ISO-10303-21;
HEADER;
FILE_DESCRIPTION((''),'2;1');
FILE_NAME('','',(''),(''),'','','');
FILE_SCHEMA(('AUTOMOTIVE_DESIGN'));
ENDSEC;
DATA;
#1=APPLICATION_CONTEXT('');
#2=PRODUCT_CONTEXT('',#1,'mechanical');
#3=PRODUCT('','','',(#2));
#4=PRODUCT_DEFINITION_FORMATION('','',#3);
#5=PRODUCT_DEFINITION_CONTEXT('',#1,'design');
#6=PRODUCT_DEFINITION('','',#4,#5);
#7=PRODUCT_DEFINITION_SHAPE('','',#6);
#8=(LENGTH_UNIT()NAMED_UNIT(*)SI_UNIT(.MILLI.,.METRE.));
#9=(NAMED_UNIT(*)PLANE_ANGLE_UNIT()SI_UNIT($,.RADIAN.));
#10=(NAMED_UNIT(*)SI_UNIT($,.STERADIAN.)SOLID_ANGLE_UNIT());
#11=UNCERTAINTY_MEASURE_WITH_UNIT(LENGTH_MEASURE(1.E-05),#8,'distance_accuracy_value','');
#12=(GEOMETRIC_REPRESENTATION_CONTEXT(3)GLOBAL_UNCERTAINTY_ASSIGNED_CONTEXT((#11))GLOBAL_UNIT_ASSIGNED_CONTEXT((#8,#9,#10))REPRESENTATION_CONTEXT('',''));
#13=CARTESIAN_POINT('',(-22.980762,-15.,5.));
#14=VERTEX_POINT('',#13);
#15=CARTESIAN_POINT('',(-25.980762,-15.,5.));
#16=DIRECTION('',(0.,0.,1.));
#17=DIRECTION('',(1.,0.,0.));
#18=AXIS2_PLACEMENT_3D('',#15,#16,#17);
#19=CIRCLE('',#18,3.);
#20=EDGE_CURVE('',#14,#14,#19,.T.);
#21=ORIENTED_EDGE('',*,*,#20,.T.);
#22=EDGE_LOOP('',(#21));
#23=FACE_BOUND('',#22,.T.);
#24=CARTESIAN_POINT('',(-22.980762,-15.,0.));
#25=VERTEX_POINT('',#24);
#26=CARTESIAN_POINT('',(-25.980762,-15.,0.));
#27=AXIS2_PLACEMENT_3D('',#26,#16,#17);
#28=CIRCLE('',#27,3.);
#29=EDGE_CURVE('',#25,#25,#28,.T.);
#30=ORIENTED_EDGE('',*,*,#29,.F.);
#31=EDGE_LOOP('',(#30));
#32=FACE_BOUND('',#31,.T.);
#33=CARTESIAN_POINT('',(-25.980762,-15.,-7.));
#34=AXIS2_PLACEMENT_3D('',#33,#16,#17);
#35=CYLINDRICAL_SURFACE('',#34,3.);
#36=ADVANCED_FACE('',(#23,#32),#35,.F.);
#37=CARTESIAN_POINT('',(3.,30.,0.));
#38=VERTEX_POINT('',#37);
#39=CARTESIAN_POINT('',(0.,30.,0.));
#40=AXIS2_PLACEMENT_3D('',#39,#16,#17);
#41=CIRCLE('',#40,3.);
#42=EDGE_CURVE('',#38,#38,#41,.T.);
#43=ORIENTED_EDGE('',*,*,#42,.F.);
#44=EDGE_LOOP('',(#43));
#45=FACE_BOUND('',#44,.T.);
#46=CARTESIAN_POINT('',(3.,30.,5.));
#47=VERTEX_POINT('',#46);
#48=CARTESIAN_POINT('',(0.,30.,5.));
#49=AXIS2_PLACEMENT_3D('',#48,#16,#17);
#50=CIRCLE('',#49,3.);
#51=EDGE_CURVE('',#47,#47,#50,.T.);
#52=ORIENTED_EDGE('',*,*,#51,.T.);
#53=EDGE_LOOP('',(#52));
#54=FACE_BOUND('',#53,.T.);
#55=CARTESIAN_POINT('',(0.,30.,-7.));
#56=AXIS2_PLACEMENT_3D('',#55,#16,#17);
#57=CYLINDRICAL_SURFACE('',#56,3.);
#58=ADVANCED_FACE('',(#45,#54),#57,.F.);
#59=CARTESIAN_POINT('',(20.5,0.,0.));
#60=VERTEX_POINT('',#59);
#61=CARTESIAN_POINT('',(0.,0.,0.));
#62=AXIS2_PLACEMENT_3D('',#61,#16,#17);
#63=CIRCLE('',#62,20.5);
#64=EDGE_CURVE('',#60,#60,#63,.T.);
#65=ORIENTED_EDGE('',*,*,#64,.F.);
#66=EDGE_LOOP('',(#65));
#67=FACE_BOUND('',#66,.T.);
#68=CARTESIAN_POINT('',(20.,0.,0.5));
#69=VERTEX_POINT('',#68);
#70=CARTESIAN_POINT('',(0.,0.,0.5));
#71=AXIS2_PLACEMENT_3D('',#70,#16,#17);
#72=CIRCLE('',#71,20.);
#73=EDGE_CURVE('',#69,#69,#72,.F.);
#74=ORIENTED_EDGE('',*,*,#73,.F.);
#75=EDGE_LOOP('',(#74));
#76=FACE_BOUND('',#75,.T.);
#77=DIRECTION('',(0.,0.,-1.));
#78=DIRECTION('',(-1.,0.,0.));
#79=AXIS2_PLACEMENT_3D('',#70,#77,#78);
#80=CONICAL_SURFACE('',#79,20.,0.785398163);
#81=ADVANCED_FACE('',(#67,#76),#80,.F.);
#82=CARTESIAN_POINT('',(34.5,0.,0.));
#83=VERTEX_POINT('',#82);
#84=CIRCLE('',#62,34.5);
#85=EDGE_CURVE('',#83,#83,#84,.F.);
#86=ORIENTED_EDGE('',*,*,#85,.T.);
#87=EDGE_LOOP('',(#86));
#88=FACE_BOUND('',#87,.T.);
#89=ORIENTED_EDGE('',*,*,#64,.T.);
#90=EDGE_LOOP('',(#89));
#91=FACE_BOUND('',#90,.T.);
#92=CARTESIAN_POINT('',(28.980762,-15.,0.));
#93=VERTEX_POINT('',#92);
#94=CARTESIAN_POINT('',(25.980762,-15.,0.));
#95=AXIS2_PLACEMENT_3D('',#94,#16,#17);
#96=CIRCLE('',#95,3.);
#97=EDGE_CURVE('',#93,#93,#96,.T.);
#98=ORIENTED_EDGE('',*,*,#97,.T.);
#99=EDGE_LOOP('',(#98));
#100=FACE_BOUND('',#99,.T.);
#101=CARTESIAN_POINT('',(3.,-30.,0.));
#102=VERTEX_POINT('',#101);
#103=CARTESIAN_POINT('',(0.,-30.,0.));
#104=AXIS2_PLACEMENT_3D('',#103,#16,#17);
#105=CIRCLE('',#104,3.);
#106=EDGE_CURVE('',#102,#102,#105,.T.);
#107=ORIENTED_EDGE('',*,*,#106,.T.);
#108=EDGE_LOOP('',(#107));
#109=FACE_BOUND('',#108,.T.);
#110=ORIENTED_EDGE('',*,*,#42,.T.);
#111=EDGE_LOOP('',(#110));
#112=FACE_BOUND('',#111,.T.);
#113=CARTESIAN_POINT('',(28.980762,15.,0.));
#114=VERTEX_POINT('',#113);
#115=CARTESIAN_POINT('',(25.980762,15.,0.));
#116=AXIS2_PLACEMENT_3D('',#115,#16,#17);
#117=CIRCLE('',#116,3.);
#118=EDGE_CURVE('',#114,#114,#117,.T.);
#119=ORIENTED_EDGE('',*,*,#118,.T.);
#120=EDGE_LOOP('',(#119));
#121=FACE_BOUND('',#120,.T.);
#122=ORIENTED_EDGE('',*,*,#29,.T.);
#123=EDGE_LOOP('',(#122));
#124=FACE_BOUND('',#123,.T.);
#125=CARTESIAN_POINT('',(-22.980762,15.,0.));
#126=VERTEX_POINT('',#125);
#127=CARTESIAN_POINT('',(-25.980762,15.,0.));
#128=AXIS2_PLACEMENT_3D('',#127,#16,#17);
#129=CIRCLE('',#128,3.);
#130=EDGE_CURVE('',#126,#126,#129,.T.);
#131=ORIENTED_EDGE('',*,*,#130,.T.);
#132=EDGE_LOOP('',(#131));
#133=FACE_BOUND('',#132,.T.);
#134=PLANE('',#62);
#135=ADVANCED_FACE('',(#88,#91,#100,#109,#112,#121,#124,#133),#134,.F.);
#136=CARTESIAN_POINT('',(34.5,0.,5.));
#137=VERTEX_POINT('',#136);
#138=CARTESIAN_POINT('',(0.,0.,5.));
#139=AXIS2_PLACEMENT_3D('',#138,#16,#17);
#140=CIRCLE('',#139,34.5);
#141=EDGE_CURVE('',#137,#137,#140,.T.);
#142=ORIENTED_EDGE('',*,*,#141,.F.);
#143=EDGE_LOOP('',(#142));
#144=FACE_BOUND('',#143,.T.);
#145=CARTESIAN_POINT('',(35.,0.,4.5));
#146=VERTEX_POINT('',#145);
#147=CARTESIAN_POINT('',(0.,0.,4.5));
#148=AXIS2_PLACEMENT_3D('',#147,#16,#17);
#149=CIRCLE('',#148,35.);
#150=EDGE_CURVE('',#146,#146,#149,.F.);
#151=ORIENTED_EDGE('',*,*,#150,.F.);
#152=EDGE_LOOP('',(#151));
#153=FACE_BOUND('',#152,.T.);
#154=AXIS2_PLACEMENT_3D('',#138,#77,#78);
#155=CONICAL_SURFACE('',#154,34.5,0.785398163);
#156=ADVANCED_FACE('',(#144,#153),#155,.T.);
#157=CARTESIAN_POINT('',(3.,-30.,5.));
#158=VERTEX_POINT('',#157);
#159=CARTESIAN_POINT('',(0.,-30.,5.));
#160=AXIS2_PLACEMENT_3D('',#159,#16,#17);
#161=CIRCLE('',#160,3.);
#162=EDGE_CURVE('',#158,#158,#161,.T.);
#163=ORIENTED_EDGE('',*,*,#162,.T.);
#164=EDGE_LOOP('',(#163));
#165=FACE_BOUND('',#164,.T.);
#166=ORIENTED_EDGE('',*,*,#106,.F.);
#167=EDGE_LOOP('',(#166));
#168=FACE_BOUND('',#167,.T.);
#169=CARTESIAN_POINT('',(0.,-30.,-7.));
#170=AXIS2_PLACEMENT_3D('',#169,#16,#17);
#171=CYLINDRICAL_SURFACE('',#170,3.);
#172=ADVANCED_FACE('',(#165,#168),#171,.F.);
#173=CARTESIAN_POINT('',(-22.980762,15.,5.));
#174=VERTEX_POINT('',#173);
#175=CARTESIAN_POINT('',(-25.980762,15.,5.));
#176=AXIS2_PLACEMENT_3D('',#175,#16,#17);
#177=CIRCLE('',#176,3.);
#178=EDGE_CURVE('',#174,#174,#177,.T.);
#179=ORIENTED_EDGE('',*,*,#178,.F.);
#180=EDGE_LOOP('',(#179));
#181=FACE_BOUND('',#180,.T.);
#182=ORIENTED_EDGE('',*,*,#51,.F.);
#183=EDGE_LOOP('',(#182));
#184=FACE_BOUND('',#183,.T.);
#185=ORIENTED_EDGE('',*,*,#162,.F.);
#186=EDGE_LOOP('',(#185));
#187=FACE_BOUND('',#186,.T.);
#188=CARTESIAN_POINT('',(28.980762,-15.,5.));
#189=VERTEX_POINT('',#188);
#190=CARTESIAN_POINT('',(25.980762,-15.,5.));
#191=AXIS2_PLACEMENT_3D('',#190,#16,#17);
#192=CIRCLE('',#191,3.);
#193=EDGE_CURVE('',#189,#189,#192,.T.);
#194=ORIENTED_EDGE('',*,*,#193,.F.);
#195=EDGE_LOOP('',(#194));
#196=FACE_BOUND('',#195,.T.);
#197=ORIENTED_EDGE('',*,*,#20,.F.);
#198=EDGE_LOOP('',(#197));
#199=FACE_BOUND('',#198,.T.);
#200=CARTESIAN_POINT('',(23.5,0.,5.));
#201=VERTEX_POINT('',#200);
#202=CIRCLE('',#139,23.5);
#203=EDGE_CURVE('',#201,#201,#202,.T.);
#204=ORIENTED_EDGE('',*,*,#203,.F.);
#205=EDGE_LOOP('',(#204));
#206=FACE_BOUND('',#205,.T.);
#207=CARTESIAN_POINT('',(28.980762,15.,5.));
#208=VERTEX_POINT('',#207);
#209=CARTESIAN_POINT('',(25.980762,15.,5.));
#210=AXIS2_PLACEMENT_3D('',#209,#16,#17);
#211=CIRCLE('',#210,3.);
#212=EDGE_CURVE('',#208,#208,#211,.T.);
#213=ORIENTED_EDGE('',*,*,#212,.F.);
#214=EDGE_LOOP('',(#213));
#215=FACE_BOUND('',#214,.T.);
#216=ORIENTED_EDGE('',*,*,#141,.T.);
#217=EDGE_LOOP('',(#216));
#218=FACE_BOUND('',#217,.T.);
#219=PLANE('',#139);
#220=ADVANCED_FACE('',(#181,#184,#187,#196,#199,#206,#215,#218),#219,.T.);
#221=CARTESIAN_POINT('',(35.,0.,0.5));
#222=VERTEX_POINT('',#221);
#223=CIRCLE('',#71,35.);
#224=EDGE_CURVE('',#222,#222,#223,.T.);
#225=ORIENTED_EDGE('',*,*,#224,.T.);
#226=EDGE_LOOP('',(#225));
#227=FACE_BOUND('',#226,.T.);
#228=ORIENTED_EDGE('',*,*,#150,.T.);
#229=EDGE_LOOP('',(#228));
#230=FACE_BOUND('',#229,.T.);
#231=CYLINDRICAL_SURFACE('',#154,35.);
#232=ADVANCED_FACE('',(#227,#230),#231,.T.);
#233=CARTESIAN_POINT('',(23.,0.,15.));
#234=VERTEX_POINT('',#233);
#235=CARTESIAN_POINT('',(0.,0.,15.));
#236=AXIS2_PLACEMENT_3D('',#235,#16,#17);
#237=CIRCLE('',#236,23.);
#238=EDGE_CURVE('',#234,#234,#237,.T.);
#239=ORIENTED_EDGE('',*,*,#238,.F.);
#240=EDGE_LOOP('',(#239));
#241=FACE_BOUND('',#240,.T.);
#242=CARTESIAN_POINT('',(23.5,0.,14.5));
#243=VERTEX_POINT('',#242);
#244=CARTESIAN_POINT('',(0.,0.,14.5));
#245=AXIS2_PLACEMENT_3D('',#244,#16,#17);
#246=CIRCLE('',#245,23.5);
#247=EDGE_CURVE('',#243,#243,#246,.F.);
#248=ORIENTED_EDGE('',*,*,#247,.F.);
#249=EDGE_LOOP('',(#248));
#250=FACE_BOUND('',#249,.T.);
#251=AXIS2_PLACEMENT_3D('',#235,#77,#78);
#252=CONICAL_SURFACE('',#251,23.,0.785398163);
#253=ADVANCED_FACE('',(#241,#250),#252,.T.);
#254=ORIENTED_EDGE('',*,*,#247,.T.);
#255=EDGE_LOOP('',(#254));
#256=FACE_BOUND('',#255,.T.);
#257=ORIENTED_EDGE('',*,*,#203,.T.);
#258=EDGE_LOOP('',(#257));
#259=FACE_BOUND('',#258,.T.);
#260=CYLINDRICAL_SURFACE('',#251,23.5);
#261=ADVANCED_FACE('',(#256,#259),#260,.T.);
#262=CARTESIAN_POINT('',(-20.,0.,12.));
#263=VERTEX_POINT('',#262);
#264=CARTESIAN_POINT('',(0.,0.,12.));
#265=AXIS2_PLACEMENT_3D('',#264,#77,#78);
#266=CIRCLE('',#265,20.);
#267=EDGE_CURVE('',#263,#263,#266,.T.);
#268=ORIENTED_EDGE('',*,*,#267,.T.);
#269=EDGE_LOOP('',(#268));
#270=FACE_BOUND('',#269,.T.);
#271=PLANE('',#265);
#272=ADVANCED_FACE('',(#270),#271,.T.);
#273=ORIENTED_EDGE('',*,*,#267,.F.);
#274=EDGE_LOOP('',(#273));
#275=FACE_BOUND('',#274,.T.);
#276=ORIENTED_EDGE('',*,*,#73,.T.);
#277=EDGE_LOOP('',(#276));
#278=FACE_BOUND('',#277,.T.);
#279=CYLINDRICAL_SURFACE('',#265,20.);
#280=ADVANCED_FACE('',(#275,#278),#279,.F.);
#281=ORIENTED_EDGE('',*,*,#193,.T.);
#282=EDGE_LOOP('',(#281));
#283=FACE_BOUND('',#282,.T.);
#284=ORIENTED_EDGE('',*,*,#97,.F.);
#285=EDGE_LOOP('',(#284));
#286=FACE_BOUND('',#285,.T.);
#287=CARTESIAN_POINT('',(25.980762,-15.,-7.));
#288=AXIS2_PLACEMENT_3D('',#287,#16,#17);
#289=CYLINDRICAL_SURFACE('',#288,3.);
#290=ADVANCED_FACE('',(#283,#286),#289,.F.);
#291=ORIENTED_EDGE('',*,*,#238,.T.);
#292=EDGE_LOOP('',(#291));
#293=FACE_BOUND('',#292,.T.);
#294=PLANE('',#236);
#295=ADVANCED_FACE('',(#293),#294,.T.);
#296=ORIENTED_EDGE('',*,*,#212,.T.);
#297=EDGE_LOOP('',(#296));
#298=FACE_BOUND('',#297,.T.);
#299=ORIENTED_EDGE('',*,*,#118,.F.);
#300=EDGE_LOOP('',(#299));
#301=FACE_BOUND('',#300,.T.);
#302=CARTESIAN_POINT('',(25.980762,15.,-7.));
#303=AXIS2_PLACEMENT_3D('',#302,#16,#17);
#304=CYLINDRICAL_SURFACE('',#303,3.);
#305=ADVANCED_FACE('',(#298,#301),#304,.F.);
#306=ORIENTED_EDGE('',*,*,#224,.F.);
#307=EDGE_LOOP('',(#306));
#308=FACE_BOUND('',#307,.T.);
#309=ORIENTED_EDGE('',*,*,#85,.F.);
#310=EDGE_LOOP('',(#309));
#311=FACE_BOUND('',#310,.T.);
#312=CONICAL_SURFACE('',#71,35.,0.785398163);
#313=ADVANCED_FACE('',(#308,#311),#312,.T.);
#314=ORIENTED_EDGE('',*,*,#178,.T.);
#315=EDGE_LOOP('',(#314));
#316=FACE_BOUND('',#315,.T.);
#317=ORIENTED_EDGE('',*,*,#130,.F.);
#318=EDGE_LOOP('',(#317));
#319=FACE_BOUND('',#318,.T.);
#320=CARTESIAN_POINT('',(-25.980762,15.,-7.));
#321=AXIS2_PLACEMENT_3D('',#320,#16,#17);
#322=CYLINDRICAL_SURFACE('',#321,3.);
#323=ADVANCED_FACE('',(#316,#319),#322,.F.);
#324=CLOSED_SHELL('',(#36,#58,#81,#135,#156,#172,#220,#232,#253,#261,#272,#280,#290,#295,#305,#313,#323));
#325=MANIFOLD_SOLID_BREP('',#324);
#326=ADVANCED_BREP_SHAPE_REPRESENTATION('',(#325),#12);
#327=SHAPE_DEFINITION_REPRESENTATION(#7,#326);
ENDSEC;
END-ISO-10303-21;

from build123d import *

# Parameters (mm, degrees)
SKETCH_1_R          = 35
EXTRUDE_1_DEPTH     = 5
SKETCH_2_R          = 23.5
EXTRUDE_2_DEPTH     = 10
SKETCH_3_R          = 20
CUT_EXTRUDE_1_DEPTH = 12
SKETCH_4_R          = 3
CUT_EXTRUDE_2_DEPTH = 12
CHAMFER_1_SIZE      = 0.5


with BuildPart() as part:
    # 草图1 → 拉伸1 (new body)
    with BuildSketch(Plane.XY):
        Circle(SKETCH_1_R)
    extrude(amount=EXTRUDE_1_DEPTH)

    # 草图2 → 拉伸2 (add)
    with BuildSketch(Plane.XY.offset(5)):
        Circle(SKETCH_2_R)
    extrude(amount=EXTRUDE_2_DEPTH)

    # 草图3 → 切除-拉伸1 (cut)
    with BuildSketch(Plane(origin=(0, 0, 0), x_dir=(-1, 0, 0), z_dir=(0, 0, -1))):
        Circle(SKETCH_3_R)
    extrude(amount=-CUT_EXTRUDE_1_DEPTH, mode=Mode.SUBTRACT)

    # 草图4 → 切除-拉伸2 (cut)
    with BuildSketch(Plane.XY.offset(5)):
        with Locations((25.980762114, 15)):
            Circle(SKETCH_4_R)
        with Locations((0, 30)):
            Circle(SKETCH_4_R)
        with Locations((25.980762114, -15)):
            Circle(SKETCH_4_R)
        with Locations((0, -30)):
            Circle(SKETCH_4_R)
        with Locations((-25.980762114, -15)):
            Circle(SKETCH_4_R)
        with Locations((-25.980762114, 15)):
            Circle(SKETCH_4_R)
    extrude(amount=-CUT_EXTRUDE_2_DEPTH, mode=Mode.SUBTRACT)

    # 倒角1
    chamfer_1_edges = [part.edges().sort_by_distance(p)[0] for p in [
        (20, 0, 0),
        (-35, 0, 0),
        (-35, 0, 5),
        (-23.5, 0, 15),
    ]]
    chamfer(chamfer_1_edges, length=CHAMFER_1_SIZE)


solid = part.part
